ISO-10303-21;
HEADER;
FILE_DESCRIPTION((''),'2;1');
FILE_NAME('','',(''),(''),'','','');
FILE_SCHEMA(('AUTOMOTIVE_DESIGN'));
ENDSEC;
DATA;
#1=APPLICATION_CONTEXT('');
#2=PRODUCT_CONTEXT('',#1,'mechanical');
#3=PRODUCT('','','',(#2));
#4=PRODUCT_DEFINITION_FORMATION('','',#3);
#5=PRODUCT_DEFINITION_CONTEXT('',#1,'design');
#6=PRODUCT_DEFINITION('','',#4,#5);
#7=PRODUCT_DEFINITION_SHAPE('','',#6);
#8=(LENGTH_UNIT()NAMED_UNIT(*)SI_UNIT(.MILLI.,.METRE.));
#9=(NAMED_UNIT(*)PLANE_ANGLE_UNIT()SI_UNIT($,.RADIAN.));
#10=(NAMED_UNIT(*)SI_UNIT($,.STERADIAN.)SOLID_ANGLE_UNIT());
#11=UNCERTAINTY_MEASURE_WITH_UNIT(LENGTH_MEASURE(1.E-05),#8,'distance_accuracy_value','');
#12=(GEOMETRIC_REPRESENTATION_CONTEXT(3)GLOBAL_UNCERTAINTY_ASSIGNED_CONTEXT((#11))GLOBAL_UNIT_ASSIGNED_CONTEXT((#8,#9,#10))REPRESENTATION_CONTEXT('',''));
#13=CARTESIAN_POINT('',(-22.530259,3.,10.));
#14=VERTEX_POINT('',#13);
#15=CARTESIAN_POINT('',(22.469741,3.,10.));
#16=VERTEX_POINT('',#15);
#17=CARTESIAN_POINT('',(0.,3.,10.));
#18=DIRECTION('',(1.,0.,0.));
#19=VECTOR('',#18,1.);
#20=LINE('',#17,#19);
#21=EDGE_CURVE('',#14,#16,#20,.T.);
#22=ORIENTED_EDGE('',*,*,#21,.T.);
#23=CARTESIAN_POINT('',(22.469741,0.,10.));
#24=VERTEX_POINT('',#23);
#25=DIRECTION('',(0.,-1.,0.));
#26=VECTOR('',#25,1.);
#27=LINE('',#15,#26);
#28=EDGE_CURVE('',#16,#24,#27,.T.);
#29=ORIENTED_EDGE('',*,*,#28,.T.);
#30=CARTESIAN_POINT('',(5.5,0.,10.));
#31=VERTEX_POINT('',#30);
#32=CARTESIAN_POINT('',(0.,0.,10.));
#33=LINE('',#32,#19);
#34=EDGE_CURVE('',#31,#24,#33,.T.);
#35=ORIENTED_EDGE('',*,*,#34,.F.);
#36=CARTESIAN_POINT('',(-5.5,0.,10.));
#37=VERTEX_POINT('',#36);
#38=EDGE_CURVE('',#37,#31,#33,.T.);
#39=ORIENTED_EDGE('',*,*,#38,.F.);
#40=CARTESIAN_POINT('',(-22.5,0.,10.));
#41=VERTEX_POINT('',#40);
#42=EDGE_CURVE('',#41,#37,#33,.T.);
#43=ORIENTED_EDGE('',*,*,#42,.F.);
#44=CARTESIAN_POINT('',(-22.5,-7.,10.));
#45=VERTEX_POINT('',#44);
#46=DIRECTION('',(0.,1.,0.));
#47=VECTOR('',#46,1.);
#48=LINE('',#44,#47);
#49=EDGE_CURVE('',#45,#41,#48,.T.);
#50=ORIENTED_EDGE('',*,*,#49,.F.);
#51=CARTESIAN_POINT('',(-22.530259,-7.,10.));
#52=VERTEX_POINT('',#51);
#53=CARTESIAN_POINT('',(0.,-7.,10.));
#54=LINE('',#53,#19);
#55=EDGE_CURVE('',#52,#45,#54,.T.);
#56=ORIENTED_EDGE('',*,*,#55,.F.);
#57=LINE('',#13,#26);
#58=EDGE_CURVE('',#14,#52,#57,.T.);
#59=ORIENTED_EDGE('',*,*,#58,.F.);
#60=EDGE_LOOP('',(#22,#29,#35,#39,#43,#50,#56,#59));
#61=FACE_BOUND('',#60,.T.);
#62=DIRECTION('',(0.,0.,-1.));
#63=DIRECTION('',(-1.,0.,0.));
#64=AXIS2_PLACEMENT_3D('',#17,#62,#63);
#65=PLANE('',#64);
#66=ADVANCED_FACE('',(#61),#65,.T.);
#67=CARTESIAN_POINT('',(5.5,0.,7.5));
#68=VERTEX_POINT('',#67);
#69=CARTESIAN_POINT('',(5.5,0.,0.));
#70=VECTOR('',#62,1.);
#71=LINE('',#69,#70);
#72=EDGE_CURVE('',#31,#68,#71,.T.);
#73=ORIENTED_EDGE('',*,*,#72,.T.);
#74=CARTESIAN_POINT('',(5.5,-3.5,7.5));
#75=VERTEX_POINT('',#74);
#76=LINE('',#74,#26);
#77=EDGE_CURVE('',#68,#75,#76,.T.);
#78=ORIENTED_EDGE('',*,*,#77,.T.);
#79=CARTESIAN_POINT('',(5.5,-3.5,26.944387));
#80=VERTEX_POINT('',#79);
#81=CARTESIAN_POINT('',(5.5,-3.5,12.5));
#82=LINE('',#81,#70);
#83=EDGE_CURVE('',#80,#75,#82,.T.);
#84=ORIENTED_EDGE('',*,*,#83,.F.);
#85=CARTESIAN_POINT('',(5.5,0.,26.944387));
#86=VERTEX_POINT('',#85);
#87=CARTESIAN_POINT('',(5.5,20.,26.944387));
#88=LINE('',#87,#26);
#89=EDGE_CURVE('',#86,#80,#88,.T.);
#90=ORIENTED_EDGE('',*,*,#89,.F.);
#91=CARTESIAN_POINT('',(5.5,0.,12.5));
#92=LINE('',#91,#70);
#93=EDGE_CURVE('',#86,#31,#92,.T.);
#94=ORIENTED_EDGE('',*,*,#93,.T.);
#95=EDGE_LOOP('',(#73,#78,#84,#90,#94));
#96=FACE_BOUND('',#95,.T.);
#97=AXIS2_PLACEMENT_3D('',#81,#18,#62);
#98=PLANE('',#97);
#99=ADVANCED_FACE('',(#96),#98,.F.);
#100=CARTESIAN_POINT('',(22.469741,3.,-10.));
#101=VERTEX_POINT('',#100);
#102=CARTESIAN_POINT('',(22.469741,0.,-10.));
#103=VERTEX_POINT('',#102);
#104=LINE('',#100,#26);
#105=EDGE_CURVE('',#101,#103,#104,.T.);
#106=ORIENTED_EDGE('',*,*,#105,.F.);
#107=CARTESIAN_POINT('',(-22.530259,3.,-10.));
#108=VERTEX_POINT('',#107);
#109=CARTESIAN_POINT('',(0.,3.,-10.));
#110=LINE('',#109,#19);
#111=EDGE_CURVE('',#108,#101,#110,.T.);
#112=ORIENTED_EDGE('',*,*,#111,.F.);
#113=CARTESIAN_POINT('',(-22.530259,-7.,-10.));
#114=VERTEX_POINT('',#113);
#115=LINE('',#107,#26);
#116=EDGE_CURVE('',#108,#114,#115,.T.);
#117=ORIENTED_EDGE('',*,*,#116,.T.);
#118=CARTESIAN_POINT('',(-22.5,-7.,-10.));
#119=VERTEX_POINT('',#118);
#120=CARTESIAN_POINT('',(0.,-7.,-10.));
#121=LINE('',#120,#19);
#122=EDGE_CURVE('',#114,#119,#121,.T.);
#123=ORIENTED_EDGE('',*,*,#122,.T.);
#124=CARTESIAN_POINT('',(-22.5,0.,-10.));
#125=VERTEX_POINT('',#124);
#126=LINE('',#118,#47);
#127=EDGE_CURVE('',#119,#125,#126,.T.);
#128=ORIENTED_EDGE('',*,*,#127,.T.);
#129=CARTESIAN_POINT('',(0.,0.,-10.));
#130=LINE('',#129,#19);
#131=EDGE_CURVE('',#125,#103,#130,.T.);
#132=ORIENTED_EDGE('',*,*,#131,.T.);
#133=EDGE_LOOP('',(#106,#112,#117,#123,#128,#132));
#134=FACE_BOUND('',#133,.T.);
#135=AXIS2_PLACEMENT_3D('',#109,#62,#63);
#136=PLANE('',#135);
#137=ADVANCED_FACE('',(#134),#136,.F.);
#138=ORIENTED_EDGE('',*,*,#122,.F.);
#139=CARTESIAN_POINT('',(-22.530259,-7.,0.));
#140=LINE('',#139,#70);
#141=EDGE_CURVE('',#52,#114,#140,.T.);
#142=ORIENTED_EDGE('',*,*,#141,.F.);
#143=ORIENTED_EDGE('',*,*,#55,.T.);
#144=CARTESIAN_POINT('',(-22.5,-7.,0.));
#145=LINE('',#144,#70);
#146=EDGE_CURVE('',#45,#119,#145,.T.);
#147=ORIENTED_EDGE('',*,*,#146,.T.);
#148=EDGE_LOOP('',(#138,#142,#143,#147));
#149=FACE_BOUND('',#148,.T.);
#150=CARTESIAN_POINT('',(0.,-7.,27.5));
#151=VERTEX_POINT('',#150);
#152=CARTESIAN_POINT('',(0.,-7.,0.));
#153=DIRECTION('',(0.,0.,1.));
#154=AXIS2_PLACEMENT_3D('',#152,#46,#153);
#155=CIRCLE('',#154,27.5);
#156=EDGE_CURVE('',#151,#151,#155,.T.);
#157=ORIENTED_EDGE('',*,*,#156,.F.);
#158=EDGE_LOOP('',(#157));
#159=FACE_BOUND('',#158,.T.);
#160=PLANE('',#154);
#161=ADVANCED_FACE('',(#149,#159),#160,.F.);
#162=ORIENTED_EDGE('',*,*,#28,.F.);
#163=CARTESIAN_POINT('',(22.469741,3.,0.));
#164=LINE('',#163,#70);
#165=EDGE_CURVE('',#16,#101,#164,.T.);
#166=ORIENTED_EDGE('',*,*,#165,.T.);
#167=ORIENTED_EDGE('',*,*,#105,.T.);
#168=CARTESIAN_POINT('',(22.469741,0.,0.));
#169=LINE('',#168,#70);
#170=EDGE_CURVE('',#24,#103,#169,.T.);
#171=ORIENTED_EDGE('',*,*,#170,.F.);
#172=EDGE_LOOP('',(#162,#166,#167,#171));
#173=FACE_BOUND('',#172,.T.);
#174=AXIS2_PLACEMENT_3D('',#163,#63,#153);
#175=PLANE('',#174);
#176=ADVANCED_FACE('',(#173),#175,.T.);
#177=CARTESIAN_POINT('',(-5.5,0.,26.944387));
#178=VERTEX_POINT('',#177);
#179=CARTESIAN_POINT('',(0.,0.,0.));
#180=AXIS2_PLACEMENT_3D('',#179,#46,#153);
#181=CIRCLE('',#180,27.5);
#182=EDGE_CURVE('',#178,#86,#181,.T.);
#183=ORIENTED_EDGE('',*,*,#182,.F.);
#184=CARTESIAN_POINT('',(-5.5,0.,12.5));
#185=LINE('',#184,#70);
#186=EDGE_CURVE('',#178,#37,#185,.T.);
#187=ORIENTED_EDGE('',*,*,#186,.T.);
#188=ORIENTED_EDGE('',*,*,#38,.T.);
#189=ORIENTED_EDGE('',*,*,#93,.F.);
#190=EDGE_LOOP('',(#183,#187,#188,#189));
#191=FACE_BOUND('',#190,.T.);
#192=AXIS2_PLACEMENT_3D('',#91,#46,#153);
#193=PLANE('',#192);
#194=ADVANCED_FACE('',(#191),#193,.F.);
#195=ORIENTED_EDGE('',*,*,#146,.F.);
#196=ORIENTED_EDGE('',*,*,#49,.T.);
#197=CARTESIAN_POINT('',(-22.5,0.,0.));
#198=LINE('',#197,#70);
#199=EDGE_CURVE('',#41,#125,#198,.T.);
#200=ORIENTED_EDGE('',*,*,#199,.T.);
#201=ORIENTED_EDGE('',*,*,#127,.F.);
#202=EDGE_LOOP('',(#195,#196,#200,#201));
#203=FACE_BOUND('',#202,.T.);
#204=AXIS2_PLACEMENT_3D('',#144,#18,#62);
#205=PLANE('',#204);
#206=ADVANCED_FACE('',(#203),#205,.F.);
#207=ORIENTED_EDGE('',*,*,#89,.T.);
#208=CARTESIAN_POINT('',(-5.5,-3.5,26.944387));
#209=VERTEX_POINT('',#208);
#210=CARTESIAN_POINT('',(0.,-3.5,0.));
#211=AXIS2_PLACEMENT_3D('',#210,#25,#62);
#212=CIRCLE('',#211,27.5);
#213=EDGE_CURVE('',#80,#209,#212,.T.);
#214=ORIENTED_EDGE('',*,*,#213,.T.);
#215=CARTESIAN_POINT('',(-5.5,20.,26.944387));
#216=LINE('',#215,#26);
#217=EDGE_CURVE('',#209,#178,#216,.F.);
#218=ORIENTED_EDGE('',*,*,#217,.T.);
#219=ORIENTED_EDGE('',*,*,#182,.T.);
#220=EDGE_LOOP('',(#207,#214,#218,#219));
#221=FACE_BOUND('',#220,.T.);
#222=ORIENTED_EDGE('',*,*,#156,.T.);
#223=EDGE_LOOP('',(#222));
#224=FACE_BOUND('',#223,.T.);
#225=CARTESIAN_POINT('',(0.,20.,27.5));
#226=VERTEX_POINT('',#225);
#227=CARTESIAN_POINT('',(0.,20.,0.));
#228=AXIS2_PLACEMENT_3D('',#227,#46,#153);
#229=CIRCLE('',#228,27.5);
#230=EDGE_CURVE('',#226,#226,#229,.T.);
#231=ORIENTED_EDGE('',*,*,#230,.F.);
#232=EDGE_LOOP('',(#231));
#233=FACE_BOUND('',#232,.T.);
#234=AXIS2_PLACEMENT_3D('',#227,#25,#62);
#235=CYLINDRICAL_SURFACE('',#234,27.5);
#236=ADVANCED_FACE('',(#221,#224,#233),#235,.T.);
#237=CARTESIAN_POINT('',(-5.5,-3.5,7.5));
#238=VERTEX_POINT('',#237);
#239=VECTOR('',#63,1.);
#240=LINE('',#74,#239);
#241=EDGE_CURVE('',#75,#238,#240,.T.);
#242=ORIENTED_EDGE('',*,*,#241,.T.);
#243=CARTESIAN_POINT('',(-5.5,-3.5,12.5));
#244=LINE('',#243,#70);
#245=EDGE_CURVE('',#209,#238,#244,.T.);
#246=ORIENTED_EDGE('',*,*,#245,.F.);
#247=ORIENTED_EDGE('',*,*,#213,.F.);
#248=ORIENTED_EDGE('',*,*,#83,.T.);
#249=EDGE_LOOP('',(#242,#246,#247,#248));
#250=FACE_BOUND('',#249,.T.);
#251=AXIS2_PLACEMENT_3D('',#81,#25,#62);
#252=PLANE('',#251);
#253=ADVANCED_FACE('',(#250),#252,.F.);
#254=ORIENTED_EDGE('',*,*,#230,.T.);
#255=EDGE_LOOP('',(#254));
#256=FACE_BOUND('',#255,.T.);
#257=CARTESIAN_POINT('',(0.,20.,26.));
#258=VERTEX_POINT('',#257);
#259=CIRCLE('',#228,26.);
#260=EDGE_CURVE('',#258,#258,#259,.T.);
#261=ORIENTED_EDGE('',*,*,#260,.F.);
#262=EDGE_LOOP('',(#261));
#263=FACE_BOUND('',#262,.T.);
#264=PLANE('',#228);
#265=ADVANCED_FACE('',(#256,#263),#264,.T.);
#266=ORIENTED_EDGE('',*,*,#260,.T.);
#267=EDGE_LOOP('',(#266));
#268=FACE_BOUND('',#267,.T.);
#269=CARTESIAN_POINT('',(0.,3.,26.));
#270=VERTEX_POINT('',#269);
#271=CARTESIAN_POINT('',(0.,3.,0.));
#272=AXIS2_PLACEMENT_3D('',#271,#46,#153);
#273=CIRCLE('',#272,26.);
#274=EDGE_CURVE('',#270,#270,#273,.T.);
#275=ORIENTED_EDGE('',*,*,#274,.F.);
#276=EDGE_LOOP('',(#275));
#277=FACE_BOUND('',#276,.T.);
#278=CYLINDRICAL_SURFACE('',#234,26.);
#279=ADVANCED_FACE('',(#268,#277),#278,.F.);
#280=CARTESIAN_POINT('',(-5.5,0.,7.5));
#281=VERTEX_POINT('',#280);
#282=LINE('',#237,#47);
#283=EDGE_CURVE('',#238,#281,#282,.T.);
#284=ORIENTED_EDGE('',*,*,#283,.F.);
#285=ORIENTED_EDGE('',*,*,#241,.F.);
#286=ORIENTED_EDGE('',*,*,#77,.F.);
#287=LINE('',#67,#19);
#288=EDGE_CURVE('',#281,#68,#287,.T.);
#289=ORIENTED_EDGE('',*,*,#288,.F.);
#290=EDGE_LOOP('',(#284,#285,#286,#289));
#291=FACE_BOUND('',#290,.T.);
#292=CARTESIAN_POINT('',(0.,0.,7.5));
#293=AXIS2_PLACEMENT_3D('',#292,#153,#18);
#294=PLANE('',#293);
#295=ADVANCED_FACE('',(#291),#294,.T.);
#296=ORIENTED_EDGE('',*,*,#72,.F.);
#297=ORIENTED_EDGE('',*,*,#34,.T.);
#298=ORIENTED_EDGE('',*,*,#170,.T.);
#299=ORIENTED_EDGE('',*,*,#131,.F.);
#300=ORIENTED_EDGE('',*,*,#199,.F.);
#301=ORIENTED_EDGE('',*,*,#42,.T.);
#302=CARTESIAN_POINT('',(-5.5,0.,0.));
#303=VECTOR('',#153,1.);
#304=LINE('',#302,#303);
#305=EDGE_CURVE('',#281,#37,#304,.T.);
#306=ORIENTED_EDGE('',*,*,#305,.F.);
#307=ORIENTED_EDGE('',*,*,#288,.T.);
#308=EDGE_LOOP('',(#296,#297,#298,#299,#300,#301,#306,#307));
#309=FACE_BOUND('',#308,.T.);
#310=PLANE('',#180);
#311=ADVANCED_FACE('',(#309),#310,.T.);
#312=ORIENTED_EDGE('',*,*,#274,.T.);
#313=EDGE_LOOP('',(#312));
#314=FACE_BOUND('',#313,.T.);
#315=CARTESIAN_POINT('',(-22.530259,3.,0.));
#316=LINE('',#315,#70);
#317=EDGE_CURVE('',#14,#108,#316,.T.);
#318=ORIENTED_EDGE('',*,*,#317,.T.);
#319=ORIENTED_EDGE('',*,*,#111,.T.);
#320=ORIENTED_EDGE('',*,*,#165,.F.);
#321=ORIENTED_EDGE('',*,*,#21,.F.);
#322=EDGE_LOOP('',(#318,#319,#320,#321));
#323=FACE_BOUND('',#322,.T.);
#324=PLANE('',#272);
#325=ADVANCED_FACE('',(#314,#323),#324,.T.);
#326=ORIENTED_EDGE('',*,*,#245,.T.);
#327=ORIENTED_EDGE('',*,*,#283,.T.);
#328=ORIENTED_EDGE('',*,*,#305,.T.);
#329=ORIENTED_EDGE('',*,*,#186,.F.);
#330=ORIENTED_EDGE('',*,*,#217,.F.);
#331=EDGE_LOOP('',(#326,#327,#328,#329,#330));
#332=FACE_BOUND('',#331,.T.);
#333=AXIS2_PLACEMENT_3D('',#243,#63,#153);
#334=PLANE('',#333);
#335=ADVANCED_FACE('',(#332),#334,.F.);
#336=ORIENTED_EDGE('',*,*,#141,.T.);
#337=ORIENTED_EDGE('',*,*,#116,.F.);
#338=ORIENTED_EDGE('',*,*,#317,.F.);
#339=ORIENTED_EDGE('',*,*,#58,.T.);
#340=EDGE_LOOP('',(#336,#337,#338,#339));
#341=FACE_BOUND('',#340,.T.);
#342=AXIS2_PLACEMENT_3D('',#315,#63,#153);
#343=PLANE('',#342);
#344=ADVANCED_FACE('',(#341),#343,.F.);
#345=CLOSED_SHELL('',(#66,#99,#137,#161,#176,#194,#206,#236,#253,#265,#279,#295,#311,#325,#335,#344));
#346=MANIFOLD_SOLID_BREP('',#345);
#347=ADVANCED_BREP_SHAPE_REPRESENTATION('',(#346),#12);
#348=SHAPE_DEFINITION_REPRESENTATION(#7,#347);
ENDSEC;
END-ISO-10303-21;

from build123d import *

# Parameters (mm, degrees)
SKETCH1_R           = 27.5
SKETCH1_R_2         = 26
BOSS_EXTRUDE1_DEPTH = 20
SKETCH1_3_R         = 26
BOSS_EXTRUDE2_DEPTH = 3
BOSS_EXTRUDE3_START = -7
SKETCH1_4_R         = 27.5
SKETCH1_4_W         = 0.030258968
SKETCH1_4_H         = 20
BOSS_EXTRUDE3_DEPTH = 7
SKETCH4_W           = 11
SKETCH4_H           = 3.5
CUT_EXTRUDE3_DEPTH  = 2.5
SKETCH4_2_W         = 11
SKETCH4_2_H         = 3.5
CUT_EXTRUDE4_DEPTH  = 51.621141828


with BuildPart() as part:
    # Sketch1 → Boss-Extrude1 (new body)
    with BuildSketch(Plane(origin=(0, 0, 0), x_dir=(1, 0, 0), z_dir=(0, 1, 0))):
        Circle(SKETCH1_R)
        Circle(SKETCH1_R_2, mode=Mode.SUBTRACT)
    extrude(amount=BOSS_EXTRUDE1_DEPTH)

    # Sketch1<3> → Boss-Extrude2 (add)
    with BuildSketch(Plane(origin=(0, 0, 0), x_dir=(1, 0, 0), z_dir=(0, 1, 0))):
        Circle(SKETCH1_3_R)
        Polygon((22.469741032, -10), (-22.5, -10), (-22.530258968, -10), (-22.530258968, 10), (-22.5, 10), (22.469741032, 10), align=None, mode=Mode.SUBTRACT)
    extrude(amount=BOSS_EXTRUDE2_DEPTH)

    # Sketch1<4> → Boss-Extrude3 (add)
    with BuildSketch(Plane(origin=(0, 0, 0), x_dir=(1, 0, 0), z_dir=(0, 1, 0)).offset(BOSS_EXTRUDE3_START)):
        Circle(SKETCH1_4_R)
        with Locations((-22.515129484, 0)):
            Rectangle(SKETCH1_4_W, SKETCH1_4_H, mode=Mode.SUBTRACT)
    extrude(amount=BOSS_EXTRUDE3_DEPTH)

    # Sketch4 → Cut-Extrude3 (cut, symmetric)
    with BuildSketch(Plane(origin=(0, 0, 10), x_dir=(-1, 0, 0), z_dir=(0, 0, -1))):
        with Locations((0, -1.75)):
            Rectangle(SKETCH4_W, SKETCH4_H)
    extrude(amount=CUT_EXTRUDE3_DEPTH, both=True, mode=Mode.SUBTRACT)

    # Sketch4<2> → Cut-Extrude4 (cut, through all)
    with BuildSketch(Plane(origin=(0, 0, 10), x_dir=(-1, 0, 0), z_dir=(0, 0, -1))):
        with Locations((0, -1.75)):
            Rectangle(SKETCH4_2_W, SKETCH4_2_H)
    extrude(amount=-CUT_EXTRUDE4_DEPTH, mode=Mode.SUBTRACT)


solid = part.part
